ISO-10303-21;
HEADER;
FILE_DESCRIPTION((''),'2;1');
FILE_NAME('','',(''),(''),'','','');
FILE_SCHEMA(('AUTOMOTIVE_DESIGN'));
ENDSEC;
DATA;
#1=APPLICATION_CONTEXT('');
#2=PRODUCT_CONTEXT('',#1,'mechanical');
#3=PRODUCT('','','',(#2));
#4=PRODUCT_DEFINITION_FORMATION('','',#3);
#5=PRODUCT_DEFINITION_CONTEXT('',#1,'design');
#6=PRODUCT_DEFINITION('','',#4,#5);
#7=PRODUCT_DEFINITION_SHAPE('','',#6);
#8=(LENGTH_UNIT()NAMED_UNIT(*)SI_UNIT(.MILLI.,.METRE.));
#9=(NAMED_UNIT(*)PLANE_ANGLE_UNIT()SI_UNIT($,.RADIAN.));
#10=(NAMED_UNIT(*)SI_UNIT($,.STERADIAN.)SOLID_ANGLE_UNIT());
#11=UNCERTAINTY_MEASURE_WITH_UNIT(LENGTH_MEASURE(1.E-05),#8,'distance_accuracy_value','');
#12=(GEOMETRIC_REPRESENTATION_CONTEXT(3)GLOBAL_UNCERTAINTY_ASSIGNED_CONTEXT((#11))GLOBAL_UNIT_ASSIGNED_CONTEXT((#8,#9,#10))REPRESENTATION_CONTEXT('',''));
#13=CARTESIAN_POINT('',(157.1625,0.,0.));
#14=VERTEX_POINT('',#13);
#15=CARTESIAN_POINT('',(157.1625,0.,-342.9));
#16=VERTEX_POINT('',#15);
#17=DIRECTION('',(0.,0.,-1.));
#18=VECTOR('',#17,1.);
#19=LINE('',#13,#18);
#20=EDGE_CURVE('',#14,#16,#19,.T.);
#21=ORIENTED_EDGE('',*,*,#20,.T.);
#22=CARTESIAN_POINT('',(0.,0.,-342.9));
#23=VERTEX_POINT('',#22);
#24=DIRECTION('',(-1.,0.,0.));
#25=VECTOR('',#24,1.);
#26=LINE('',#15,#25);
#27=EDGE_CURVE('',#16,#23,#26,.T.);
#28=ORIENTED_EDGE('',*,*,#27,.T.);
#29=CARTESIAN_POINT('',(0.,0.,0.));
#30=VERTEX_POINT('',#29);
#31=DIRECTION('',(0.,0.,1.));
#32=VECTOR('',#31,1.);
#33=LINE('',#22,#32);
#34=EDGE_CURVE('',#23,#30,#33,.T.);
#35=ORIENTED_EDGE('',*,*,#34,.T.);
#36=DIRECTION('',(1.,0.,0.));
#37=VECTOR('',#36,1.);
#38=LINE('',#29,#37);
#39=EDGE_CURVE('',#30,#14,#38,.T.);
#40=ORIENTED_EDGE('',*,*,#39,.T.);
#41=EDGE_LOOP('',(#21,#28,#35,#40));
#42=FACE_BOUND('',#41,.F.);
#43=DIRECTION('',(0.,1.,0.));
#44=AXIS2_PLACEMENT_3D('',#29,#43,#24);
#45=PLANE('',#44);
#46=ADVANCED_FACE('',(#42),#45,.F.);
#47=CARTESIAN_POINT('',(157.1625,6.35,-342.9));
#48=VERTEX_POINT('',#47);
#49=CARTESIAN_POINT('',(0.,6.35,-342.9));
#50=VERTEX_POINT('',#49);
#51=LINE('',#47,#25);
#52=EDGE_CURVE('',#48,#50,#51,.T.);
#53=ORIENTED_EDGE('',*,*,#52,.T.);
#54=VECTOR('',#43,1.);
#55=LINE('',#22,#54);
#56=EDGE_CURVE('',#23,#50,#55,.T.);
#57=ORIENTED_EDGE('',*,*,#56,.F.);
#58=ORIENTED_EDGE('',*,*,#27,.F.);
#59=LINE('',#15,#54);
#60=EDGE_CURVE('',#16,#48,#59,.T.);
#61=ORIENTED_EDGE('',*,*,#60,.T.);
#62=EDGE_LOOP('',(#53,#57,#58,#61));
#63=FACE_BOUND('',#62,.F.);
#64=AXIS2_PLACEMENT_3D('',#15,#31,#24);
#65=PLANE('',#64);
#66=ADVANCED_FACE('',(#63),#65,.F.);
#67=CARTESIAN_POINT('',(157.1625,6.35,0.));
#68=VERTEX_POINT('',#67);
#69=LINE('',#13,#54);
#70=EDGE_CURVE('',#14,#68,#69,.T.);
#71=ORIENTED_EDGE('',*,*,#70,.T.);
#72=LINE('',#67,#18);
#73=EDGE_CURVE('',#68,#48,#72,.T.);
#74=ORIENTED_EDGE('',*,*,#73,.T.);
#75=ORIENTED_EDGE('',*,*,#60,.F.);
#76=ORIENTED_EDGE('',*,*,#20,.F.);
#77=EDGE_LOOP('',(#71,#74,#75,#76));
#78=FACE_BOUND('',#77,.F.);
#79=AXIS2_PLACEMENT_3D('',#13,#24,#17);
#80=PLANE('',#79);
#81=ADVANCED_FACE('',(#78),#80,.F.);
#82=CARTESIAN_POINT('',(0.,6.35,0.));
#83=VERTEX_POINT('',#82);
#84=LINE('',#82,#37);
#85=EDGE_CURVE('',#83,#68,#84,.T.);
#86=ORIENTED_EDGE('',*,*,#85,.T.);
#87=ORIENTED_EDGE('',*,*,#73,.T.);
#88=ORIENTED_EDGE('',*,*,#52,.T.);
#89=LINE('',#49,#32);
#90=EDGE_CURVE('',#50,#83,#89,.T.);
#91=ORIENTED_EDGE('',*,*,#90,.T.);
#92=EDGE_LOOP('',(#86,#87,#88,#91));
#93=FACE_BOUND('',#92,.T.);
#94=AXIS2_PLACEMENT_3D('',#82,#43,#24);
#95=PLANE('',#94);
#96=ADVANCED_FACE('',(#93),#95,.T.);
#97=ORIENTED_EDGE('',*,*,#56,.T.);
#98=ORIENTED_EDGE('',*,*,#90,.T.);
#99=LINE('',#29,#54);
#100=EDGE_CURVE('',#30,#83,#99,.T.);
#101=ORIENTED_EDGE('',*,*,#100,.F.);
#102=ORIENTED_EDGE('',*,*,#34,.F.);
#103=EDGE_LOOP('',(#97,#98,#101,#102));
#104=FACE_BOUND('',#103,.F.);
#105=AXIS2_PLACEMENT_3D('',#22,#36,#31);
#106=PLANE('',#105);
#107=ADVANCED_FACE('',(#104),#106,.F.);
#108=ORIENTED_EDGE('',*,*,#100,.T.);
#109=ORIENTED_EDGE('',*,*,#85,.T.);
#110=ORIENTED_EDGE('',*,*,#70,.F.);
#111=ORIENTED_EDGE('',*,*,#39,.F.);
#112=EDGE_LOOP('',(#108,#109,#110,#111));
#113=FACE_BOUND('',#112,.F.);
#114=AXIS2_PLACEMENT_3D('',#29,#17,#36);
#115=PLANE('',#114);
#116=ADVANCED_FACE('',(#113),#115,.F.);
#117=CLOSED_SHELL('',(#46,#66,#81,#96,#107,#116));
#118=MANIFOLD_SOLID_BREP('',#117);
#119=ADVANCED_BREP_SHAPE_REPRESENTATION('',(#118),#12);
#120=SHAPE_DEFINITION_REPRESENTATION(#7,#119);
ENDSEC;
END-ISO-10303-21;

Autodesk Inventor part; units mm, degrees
ref_plane "YZ Plane" through (0, 0, 0) normal (1, 0, 0) x (0, 1, 0)
ref_plane "XZ Plane" through (0, 0, 0) normal (0, 1, 0) x (-1, 0, 0)
ref_plane "XY Plane" through (0, 0, 0) normal (0, 0, 1) x (1, 0, 0)
sketch "Sketch1" plane through (0, 0, 0) normal (0, 1, 0) x (-1, 0, 0)
  line L0 (0, 0) -> (-157.1625, 0)
  line L1 (-157.1625, 0) -> (-157.1625, -342.9)
  line L2 (-157.1625, -342.9) -> (0, -342.9)
  line L3 (0, -342.9) -> (0, 0)
  dimension "d0" = 157.1625
  dimension "d1" = 342.9
extrude "Extrusion1" add sketch "Sketch1" along normal blind 6.35
properties part number "UpperHalfofSides_Ocampo"
